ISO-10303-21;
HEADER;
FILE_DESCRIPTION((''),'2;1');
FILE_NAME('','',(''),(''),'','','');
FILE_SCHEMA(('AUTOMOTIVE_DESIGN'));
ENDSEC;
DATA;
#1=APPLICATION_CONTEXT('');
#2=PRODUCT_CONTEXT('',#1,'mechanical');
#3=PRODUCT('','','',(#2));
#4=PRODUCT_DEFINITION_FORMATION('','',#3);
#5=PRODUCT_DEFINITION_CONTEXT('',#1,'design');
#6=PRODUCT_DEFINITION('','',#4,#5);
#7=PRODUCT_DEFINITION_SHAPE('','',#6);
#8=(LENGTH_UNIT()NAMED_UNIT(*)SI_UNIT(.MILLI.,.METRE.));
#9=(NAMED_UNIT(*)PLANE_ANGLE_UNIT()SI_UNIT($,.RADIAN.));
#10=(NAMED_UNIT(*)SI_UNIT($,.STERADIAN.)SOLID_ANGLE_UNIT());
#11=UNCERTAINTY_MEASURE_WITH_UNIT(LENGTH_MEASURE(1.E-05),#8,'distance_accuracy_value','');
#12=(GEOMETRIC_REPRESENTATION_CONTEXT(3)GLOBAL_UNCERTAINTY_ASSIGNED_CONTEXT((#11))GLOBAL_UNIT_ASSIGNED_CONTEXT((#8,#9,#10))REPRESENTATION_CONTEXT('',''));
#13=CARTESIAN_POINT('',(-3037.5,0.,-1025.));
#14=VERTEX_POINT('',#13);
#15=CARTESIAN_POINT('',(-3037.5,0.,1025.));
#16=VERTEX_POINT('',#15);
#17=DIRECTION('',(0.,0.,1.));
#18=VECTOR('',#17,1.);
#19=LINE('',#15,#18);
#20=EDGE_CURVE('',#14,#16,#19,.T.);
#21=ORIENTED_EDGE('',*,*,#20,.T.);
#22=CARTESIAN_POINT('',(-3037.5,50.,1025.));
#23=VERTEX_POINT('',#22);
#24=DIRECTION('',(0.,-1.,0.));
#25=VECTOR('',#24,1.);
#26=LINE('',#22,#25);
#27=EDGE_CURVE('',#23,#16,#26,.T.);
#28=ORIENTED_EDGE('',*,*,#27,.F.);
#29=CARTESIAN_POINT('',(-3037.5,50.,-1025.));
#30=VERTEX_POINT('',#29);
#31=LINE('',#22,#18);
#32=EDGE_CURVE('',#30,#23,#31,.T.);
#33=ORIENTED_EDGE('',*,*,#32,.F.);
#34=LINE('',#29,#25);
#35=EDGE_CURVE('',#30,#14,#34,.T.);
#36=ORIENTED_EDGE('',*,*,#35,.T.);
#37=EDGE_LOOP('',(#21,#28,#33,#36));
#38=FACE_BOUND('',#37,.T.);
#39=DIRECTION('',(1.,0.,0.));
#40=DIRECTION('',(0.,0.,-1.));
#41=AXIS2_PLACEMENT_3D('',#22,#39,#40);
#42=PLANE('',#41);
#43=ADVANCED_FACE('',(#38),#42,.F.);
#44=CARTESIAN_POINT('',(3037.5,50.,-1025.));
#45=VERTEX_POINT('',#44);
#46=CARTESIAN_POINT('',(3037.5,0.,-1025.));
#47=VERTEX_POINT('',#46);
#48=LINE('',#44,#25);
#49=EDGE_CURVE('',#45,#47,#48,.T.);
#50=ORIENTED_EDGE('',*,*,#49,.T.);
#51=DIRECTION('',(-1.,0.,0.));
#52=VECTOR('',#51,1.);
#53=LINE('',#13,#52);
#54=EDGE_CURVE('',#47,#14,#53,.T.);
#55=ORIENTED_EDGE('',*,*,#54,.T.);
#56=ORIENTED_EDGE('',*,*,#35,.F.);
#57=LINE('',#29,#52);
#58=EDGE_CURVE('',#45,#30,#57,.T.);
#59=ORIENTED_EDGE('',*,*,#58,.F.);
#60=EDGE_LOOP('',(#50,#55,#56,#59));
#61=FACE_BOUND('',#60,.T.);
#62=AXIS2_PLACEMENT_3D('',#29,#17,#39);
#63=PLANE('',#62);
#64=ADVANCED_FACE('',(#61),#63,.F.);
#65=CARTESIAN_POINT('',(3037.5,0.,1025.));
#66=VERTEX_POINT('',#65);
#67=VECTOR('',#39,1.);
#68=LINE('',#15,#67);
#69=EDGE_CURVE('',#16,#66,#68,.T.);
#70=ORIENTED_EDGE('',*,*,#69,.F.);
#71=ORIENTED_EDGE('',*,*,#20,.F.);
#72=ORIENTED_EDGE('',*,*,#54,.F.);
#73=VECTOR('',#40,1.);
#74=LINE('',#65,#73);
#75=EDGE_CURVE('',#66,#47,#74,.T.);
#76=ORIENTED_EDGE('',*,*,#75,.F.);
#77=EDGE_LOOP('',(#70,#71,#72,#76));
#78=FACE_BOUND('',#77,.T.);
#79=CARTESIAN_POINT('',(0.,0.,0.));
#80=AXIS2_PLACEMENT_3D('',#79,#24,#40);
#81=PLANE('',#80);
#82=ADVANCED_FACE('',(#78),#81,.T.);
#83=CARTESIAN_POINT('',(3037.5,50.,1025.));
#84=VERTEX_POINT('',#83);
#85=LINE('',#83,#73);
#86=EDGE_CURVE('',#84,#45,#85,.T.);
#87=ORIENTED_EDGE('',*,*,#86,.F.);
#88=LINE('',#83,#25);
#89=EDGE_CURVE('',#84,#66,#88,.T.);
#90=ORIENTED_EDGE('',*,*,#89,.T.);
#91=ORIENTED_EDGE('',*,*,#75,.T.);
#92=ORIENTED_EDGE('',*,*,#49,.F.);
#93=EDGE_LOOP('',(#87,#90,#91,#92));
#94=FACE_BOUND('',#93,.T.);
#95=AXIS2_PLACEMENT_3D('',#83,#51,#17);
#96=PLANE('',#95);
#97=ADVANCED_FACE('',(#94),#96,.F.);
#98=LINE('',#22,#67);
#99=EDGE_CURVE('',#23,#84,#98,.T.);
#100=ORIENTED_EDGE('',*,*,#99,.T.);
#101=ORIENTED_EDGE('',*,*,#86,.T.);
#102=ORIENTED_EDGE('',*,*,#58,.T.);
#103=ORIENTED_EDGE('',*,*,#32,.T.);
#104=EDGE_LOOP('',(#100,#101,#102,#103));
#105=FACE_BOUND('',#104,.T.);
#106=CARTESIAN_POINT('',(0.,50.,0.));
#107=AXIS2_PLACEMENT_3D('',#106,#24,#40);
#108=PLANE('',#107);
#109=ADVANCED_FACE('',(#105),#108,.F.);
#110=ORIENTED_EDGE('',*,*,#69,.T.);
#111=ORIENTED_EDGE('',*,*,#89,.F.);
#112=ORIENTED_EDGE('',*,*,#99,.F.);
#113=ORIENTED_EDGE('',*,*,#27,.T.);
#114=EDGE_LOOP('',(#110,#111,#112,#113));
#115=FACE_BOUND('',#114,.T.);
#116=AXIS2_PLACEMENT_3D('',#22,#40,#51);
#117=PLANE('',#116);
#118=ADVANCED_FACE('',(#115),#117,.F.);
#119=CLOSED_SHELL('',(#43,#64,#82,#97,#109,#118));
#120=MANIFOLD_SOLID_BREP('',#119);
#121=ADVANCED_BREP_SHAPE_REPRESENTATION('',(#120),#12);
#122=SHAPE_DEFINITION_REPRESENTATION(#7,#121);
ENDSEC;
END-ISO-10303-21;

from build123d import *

# Parameters (mm, degrees)
SKETCH_1_W      = 6075
SKETCH_1_H      = 2050
EXTRUDE_1_DEPTH = 50


with BuildPart() as part:
    # 草图1 → 凸台-拉伸1 (new body)
    with BuildSketch(Plane(origin=(0, 0, 0), x_dir=(1, 0, 0), z_dir=(0, 1, 0))):
        Rectangle(SKETCH_1_W, SKETCH_1_H)
    extrude(amount=EXTRUDE_1_DEPTH)


solid = part.part
